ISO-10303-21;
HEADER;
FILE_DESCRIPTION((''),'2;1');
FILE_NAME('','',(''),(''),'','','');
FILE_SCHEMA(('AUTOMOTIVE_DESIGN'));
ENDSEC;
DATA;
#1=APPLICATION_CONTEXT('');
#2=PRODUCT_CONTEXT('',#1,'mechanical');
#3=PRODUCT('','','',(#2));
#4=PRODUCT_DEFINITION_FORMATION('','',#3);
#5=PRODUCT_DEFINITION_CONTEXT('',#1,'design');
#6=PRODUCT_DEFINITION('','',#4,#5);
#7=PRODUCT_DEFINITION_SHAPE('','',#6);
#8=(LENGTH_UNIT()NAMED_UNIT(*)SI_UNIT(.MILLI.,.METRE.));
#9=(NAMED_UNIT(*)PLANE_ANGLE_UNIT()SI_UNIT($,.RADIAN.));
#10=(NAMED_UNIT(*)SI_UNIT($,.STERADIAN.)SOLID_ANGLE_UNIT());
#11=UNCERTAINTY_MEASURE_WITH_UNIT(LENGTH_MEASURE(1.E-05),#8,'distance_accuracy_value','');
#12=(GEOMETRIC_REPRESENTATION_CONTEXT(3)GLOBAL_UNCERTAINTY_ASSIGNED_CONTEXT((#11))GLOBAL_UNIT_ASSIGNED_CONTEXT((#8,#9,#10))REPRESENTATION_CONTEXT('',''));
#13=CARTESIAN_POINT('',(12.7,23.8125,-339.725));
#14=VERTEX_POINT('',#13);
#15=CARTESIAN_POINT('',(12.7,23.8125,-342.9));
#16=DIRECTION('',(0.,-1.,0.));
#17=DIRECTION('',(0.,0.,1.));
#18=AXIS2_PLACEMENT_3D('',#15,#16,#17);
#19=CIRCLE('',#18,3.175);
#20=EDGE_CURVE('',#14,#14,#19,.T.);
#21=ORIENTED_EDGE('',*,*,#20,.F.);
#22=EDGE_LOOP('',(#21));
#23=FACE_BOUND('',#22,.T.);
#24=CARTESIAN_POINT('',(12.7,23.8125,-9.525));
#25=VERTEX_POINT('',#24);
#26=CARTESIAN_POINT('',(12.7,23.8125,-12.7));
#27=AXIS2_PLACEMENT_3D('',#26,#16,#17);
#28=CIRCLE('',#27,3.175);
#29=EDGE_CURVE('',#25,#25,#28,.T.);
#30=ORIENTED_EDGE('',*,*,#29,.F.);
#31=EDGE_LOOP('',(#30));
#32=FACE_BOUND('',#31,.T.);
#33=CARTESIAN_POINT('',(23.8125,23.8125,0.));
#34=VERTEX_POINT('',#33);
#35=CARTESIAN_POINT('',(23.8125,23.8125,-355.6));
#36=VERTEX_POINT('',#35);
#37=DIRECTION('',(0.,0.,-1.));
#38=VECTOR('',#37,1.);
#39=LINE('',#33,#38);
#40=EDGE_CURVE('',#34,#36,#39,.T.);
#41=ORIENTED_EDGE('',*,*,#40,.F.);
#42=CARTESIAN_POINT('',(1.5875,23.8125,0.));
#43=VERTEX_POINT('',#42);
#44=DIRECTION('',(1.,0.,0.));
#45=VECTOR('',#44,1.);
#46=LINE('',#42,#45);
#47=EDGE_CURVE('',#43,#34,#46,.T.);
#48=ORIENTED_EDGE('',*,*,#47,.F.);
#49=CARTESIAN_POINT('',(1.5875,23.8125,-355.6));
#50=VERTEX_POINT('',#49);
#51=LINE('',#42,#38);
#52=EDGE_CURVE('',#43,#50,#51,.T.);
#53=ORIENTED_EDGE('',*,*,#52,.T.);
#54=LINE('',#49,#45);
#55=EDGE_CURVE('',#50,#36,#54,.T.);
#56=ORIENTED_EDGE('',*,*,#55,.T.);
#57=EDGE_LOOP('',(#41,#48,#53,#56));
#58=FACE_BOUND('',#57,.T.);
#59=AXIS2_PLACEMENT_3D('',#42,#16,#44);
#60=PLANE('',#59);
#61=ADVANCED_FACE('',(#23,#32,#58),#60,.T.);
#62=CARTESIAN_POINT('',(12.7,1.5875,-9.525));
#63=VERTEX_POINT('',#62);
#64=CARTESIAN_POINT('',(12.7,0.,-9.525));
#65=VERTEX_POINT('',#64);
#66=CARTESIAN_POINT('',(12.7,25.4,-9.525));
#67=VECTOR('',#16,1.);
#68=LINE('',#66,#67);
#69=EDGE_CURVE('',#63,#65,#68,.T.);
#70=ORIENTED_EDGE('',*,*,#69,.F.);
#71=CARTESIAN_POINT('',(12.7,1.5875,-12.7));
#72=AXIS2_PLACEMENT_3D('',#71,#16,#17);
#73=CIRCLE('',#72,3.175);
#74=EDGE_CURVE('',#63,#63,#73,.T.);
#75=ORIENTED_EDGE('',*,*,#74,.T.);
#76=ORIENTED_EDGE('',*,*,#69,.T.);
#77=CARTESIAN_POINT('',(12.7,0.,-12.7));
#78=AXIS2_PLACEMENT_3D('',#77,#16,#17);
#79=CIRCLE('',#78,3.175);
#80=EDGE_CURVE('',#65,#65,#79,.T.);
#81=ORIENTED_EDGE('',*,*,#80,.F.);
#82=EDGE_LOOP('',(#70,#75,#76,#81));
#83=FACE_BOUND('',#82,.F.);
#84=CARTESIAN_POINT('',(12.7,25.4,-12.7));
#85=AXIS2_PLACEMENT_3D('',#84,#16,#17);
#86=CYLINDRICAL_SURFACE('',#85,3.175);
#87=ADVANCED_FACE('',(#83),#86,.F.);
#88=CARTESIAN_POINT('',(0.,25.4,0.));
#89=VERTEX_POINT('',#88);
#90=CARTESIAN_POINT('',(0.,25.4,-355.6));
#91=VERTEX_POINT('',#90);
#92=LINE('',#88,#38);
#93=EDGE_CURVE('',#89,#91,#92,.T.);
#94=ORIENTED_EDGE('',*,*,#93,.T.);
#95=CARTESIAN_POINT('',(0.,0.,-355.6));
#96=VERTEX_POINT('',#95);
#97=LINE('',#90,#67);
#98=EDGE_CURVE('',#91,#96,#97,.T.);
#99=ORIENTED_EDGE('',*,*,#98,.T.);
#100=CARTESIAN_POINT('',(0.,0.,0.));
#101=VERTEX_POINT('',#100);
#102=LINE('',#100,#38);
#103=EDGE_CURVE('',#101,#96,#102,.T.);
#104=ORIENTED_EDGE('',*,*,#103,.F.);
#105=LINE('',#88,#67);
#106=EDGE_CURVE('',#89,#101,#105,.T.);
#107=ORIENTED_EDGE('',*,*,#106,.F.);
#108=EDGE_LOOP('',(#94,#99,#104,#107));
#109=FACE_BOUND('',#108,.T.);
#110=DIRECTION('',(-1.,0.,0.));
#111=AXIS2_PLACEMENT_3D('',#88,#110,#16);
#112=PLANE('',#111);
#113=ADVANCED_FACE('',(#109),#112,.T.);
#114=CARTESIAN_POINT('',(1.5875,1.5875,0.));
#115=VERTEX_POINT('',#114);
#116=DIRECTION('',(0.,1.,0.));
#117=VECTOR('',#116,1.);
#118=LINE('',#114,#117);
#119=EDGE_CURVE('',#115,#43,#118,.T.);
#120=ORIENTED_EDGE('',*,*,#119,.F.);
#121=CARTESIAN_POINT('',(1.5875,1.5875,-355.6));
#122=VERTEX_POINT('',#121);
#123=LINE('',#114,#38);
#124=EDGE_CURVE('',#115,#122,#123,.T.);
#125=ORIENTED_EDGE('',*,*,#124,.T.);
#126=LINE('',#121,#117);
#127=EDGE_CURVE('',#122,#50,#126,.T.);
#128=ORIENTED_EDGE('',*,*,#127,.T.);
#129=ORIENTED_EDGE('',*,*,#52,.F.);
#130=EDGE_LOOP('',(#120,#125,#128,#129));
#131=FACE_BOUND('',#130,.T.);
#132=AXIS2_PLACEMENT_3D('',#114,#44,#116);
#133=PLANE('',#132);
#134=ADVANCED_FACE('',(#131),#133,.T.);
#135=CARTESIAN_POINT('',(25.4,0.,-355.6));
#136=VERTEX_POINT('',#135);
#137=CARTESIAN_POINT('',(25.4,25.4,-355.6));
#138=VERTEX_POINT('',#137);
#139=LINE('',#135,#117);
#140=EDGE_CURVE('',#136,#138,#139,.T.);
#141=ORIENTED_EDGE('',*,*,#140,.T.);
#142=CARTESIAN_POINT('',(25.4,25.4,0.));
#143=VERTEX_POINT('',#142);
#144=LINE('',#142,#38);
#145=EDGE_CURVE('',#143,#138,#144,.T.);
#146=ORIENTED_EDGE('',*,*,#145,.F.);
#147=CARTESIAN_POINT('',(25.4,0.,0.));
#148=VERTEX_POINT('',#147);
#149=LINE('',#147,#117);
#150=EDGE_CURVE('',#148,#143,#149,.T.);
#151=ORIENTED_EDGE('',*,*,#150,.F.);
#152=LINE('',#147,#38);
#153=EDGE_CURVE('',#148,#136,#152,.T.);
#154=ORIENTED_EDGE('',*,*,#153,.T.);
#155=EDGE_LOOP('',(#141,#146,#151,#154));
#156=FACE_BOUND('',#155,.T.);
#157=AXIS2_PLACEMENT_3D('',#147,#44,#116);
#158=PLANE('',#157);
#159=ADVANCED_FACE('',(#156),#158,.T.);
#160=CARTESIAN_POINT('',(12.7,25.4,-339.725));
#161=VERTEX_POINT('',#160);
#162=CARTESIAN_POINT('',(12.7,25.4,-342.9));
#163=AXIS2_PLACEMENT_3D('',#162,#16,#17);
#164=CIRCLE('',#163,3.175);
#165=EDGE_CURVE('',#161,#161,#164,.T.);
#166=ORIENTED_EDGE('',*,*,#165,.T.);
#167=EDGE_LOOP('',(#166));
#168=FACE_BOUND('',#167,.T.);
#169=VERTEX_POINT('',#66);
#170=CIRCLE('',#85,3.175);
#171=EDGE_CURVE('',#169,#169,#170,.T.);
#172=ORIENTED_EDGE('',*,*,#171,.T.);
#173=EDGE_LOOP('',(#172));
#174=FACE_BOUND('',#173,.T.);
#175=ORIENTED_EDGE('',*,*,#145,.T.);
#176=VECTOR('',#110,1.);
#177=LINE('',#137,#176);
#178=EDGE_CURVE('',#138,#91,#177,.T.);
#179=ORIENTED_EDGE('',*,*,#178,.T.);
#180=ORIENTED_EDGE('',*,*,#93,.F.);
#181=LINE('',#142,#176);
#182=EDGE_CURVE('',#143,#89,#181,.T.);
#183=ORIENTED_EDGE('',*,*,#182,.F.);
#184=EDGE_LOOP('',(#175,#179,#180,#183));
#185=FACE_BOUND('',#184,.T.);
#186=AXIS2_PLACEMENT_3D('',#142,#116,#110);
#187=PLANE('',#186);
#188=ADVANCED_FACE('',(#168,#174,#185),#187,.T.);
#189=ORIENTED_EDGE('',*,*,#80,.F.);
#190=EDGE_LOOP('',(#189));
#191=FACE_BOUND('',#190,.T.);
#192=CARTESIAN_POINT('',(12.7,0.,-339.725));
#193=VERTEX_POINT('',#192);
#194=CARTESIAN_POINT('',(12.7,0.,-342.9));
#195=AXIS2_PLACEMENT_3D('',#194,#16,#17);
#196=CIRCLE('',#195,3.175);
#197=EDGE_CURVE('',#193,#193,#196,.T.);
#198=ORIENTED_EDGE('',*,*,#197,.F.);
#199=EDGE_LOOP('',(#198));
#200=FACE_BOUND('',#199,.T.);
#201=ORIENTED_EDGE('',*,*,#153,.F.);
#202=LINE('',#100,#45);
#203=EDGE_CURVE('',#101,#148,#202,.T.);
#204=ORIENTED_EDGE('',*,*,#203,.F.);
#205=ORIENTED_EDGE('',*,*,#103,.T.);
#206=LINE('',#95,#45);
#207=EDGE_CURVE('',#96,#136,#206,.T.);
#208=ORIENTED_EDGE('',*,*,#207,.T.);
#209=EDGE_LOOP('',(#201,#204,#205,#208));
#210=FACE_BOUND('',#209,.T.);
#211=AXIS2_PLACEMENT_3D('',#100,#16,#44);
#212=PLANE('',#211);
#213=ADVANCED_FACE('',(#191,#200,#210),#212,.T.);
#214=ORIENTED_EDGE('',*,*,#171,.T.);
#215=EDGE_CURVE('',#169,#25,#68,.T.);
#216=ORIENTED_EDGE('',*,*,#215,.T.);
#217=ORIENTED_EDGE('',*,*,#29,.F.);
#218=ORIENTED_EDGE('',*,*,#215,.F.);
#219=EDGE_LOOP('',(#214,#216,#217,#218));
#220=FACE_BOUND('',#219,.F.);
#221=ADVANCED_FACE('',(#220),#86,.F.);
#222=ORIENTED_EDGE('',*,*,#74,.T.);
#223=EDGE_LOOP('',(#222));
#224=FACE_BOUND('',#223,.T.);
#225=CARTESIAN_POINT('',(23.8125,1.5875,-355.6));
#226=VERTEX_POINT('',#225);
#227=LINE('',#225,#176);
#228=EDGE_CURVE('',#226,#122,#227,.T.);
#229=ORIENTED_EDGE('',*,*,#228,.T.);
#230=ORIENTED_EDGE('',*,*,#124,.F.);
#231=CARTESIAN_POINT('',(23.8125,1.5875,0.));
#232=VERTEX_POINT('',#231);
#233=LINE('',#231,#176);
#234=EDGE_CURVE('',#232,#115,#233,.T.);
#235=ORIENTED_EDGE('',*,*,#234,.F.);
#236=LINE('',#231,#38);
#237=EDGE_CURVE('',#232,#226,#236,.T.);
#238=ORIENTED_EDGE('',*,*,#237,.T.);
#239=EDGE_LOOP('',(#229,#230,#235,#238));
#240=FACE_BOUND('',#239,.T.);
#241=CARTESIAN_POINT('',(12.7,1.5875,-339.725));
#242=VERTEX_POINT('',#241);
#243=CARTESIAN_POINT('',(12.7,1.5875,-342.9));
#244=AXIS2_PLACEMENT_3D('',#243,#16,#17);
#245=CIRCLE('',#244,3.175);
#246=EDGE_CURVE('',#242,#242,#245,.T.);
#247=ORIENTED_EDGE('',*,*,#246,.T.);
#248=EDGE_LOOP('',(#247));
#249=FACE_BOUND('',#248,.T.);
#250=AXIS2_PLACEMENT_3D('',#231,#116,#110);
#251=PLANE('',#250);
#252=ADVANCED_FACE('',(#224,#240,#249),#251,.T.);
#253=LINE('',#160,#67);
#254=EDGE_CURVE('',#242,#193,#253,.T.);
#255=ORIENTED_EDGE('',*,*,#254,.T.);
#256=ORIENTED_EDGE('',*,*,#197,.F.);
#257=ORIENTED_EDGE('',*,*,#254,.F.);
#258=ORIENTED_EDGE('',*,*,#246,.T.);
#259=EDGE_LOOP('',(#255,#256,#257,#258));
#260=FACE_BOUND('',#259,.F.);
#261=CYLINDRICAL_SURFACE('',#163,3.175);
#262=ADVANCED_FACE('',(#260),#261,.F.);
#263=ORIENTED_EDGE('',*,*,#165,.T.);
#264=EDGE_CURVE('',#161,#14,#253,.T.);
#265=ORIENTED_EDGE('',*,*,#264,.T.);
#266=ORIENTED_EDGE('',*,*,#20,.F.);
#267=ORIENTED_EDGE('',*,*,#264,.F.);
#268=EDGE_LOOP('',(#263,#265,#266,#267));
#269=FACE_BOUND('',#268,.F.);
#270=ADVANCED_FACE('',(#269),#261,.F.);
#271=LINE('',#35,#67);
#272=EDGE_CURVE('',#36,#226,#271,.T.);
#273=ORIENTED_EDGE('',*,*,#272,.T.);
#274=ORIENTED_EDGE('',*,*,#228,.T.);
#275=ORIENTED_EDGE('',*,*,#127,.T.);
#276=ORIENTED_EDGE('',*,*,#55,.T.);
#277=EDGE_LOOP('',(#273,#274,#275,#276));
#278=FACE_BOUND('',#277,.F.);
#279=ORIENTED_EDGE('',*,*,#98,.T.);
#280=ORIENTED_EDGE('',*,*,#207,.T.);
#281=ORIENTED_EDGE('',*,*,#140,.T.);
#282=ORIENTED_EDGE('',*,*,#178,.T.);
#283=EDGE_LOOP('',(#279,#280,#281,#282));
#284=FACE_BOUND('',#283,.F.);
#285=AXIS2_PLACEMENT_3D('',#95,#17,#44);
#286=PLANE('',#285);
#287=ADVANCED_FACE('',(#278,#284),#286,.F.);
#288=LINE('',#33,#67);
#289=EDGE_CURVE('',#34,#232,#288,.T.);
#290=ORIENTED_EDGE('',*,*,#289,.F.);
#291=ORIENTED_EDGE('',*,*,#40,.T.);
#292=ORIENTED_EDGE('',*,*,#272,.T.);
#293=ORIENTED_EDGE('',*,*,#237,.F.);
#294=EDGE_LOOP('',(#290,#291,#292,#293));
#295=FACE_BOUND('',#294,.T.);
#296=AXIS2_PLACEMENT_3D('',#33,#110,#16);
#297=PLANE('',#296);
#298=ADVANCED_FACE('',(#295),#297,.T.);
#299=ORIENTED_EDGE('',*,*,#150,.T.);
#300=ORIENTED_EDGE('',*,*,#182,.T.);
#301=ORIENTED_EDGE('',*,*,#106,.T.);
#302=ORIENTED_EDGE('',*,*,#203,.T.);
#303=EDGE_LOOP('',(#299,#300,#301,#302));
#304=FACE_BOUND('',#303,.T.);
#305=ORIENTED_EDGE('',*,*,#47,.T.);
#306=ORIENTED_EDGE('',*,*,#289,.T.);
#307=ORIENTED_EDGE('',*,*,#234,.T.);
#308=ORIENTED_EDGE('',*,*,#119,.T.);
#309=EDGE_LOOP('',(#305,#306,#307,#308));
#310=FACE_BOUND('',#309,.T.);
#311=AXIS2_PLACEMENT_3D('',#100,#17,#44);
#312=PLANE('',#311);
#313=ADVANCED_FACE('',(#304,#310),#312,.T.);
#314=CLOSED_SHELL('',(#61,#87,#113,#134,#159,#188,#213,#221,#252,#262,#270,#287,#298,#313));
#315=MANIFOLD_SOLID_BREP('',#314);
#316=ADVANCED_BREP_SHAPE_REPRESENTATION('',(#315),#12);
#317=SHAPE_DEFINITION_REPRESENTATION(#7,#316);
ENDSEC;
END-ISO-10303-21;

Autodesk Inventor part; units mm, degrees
ref_plane "YZ Plane" through (0, 0, 0) normal (1, 0, 0) x (0, 1, 0)
ref_plane "XZ Plane" through (0, 0, 0) normal (0, 1, 0) x (-1, 0, 0)
ref_plane "XY Plane" through (0, 0, 0) normal (0, 0, 1) x (1, 0, 0)
sketch "Sketch1" plane through (0, 0, 0) normal (0, 0, 1) x (1, 0, 0)
  line L0 (0, 0) -> (25.4, 0)
  line L1 (25.4, 0) -> (25.4, 25.4)
  line L2 (25.4, 25.4) -> (0, 25.4)
  line L3 (0, 25.4) -> (0, 0)
  line L4 (1.5875, 23.8125) -> (23.8125, 23.8125)
  line L5 (23.8125, 23.8125) -> (23.8125, 1.5875)
  line L6 (23.8125, 1.5875) -> (1.5875, 1.5875)
  line L7 (1.5875, 1.5875) -> (1.5875, 23.8125)
  dimension "d0" = 25.4
  dimension "d1" = 25.4
  dimension "d2" = 1.5875
extrude "Extrusion1" add sketch "Sketch1" against normal blind 355.6
sketch "Sketch2" plane through (0, 25.4, 0) normal (0, 1, 0) x (1, 0, 0)
  line L0 (25.4, 355.6) -> (0, 355.6) projected
  line L1 (0, 0) -> (0, 355.6) projected
  line L2 (25.4, 0) -> (0, 0) projected
  point P0 (12.7, 12.7)
  point P1 (12.7, 342.9)
  dimension "d5" = 12.7
  dimension "d6" = 12.7
  dimension "d7" = 12.7
hole "Hole1" at (12.7, 25.4, -12.7) at (12.7, 25.4, -342.9) direction (0, -1, 0) diameter 6.35 depth 25.4 tip angle 118
properties part number "tube_m_b_in_cross"
